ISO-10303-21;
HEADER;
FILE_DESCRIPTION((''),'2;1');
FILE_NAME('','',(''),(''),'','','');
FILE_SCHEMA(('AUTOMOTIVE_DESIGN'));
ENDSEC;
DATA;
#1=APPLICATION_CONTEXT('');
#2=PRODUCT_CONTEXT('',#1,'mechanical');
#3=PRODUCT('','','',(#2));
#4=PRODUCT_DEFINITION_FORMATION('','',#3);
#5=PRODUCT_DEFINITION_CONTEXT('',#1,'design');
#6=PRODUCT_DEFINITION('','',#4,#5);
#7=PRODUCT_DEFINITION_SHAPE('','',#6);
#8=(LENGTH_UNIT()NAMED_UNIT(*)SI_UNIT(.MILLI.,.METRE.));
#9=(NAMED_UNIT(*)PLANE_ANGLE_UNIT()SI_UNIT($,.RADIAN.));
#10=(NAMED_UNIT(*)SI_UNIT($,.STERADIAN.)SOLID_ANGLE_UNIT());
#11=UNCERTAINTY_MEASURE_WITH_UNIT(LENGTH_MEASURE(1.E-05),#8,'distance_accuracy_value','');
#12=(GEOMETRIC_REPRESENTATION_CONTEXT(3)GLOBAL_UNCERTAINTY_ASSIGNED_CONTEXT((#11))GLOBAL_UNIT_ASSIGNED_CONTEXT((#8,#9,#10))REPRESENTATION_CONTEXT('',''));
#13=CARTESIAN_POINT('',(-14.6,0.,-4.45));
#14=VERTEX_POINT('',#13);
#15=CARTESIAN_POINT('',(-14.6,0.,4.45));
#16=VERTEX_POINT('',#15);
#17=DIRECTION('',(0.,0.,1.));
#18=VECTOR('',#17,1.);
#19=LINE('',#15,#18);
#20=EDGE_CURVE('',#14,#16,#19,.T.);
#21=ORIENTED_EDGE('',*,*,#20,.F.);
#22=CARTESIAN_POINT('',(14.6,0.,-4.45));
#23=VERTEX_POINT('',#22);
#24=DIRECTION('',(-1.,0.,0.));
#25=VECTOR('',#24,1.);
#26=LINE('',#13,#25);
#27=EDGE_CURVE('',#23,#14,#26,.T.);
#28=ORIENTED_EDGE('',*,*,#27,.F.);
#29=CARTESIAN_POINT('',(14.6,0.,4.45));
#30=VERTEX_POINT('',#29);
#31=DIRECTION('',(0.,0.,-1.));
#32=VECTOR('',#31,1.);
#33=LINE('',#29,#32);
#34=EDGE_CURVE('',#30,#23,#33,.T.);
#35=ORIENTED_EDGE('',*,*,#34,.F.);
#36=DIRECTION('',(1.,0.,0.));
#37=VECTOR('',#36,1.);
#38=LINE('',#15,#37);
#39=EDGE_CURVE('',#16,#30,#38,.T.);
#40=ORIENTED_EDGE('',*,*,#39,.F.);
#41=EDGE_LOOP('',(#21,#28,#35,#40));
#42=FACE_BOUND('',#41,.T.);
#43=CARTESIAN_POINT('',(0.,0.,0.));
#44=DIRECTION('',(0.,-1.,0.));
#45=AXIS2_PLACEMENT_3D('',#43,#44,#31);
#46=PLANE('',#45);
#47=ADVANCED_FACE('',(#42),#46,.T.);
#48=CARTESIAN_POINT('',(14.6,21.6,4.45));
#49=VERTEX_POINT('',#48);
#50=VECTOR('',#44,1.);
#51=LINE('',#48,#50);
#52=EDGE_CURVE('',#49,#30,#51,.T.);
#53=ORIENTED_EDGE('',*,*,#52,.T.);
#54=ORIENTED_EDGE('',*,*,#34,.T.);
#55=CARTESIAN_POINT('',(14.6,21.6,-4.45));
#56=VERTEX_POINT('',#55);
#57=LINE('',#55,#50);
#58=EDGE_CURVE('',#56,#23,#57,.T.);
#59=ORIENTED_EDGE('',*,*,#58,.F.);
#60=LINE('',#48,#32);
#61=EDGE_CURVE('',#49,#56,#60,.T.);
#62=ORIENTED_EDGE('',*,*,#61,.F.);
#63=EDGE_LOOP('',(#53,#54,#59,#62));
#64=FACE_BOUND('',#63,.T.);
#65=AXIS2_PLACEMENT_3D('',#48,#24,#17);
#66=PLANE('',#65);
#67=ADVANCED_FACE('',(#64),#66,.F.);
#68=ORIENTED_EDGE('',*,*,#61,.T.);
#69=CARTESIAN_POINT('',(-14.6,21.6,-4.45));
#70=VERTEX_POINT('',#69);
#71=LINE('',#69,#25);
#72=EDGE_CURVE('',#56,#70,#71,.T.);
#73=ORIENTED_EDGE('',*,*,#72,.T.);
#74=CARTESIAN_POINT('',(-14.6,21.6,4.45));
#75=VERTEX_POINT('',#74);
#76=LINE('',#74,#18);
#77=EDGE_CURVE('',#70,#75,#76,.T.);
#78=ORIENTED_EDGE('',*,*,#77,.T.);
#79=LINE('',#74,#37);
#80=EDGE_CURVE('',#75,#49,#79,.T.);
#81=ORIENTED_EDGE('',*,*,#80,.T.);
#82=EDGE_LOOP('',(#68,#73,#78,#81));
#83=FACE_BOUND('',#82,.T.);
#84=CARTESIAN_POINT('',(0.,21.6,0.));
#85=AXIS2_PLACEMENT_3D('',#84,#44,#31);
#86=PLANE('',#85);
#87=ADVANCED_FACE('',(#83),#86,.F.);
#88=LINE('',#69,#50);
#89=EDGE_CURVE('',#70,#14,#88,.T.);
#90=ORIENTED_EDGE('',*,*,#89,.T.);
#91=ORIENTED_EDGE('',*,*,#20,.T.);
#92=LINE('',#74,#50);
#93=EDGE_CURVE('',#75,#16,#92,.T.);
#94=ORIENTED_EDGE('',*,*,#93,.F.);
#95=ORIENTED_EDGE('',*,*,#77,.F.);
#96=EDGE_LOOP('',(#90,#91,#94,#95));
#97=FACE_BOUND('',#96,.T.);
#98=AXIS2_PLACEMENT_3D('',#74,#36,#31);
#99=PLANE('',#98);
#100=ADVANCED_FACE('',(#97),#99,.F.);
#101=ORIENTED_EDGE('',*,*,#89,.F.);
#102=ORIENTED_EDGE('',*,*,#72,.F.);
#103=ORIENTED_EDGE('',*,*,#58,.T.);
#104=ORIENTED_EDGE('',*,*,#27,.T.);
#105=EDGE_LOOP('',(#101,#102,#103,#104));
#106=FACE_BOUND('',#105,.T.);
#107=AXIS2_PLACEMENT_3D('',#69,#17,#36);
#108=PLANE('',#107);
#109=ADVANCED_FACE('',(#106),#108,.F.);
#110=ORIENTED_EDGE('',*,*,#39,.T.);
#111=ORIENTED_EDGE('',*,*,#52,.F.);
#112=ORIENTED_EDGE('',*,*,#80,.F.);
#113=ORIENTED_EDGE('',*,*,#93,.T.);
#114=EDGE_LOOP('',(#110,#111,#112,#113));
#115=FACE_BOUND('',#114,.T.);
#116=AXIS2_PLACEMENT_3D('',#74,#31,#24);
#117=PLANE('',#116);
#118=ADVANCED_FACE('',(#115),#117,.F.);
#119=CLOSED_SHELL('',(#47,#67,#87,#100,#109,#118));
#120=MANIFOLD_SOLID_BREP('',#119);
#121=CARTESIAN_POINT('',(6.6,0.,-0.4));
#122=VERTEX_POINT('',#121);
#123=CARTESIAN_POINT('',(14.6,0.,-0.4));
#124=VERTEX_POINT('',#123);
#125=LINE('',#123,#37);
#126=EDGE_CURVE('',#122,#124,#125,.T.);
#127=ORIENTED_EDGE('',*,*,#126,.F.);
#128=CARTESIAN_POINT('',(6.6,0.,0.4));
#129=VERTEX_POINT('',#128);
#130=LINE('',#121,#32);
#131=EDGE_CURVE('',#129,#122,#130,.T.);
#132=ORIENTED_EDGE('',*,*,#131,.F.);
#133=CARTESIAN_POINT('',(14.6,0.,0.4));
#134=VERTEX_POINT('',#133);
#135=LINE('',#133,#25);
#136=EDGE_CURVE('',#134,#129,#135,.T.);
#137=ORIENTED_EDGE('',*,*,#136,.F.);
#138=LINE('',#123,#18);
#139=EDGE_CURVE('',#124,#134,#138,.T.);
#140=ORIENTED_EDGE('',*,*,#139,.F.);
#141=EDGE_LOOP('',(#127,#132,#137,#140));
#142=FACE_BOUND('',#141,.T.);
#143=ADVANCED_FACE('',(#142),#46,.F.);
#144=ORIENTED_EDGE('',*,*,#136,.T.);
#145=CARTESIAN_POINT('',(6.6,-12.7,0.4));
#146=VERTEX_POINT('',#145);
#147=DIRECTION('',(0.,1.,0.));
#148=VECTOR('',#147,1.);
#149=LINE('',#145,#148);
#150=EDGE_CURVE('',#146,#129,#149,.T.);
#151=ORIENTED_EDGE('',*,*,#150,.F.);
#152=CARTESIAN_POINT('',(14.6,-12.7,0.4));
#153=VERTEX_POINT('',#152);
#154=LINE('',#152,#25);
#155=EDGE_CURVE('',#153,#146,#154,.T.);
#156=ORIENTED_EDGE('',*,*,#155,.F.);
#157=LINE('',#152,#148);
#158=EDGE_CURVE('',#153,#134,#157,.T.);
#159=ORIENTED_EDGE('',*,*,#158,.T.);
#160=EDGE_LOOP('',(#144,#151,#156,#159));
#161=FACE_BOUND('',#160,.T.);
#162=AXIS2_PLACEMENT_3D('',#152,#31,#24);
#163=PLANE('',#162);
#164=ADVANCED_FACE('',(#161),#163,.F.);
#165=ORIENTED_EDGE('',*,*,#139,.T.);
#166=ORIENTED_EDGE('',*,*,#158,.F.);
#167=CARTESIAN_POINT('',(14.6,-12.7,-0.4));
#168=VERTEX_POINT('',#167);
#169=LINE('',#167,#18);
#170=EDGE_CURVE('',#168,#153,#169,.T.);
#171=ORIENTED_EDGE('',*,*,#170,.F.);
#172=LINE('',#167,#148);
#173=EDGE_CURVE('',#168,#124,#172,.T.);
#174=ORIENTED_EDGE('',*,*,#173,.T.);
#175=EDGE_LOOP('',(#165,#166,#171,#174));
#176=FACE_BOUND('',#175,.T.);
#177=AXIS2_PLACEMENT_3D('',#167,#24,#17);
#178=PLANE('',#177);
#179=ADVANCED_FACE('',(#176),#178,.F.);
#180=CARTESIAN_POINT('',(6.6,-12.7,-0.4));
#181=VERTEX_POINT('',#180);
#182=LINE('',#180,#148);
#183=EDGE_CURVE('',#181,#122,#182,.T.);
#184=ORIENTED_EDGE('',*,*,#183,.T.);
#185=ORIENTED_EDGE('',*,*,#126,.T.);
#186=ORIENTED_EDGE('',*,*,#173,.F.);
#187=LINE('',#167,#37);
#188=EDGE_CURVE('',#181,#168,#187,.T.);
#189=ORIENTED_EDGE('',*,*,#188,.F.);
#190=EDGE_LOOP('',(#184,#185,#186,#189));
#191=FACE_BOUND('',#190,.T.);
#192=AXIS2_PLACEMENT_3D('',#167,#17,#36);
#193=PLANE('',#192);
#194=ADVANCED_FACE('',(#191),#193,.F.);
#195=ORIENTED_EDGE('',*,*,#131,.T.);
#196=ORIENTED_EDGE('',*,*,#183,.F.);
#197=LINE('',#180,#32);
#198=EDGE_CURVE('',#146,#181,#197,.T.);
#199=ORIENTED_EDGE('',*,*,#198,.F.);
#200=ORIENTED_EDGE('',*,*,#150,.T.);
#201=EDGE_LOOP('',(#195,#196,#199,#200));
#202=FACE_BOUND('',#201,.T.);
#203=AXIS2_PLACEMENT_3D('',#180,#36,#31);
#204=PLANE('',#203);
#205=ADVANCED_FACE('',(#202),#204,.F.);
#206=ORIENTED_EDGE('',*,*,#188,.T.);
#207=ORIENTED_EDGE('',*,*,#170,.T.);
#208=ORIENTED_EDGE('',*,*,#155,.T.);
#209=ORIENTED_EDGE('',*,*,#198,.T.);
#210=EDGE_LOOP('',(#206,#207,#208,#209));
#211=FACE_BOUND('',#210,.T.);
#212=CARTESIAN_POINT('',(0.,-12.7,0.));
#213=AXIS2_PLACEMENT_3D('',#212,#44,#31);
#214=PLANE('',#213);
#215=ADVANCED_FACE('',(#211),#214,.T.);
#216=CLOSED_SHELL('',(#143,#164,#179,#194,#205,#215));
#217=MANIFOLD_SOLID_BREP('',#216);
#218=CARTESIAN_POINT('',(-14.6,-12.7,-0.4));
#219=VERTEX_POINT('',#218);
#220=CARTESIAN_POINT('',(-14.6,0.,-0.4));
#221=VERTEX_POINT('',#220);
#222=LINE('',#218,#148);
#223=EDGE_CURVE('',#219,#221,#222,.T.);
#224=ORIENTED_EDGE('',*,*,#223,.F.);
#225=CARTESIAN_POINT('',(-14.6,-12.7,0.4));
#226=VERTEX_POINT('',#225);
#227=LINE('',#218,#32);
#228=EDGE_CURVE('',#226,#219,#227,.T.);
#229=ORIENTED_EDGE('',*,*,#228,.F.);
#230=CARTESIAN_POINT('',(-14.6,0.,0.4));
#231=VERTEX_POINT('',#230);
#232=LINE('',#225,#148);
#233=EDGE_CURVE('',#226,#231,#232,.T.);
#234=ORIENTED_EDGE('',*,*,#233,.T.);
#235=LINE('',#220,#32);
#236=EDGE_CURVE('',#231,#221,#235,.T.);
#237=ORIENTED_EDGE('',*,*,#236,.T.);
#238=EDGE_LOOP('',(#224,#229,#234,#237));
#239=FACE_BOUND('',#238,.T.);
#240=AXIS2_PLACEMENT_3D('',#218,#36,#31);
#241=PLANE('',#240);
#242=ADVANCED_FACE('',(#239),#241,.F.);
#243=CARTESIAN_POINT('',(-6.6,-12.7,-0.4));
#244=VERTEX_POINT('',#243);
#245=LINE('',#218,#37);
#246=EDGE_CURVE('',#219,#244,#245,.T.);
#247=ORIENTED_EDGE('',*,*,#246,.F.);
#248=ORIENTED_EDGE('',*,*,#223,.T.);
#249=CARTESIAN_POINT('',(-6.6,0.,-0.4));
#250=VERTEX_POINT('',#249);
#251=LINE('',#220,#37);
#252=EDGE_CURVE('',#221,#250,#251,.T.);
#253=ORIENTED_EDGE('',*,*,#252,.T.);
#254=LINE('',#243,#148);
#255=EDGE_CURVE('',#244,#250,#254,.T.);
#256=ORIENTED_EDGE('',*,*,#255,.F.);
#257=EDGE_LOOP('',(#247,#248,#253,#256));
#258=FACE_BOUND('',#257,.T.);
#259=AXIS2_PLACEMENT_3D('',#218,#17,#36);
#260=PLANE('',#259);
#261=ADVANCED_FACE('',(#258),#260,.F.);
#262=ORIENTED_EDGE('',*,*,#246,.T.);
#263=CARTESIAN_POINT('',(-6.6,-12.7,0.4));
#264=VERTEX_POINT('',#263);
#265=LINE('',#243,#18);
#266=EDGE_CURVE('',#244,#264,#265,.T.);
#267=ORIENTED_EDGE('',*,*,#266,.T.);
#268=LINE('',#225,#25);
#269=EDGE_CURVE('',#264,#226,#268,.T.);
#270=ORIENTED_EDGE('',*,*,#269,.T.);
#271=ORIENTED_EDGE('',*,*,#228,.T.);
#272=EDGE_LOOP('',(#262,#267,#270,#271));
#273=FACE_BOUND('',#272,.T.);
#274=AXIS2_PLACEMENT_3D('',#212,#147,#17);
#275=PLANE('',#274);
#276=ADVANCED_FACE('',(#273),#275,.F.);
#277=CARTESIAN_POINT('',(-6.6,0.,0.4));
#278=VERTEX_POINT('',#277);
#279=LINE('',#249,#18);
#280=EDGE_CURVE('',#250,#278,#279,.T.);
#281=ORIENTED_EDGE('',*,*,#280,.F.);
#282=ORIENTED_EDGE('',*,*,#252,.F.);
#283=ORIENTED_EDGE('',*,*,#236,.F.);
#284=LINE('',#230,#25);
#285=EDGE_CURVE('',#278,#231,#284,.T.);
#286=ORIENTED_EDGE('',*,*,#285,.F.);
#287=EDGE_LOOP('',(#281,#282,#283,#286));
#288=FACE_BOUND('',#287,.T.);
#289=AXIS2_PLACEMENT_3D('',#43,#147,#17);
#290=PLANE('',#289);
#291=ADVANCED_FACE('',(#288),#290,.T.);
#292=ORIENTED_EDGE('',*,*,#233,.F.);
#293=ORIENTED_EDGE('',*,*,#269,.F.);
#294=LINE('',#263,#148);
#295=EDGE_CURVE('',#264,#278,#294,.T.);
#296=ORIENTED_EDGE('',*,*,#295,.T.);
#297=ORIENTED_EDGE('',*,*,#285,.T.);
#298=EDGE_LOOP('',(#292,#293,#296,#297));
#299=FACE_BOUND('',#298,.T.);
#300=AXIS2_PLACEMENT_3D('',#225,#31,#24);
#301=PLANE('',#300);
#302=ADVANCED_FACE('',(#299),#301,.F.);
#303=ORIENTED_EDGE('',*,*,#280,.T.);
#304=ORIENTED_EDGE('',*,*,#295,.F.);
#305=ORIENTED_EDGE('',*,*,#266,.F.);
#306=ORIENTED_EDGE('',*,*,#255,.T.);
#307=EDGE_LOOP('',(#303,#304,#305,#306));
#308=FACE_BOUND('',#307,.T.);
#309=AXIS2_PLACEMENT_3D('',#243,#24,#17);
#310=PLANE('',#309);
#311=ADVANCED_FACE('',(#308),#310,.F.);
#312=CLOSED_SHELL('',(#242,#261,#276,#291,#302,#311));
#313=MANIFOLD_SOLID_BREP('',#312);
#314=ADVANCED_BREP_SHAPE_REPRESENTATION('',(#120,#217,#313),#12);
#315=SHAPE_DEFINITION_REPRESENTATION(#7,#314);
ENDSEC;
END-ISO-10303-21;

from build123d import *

# Parameters (mm, degrees)
SKETCH1_W             = 29.2
SKETCH1_H             = 8.9
BOSS_EXTRUDE1_DEPTH   = 21.6
SKETCH2_W             = 8
SKETCH2_H             = 0.8
BOSS_EXTRUDE2_DEPTH   = 12.7
BOSS_EXTRUDE2_2_DEPTH = 12.7


with BuildPart() as part:
    # Sketch1 → Boss-Extrude1 (new body)
    with BuildSketch(Plane(origin=(0, 0, 0), x_dir=(1, 0, 0), z_dir=(0, 1, 0))):
        Rectangle(SKETCH1_W, SKETCH1_H)
    extrude(amount=BOSS_EXTRUDE1_DEPTH)


with BuildPart() as body_2:
    # Sketch2 → Boss-Extrude2 (new body)
    with BuildSketch(Plane.XZ):
        with Locations((-10.6, 0)):
            Rectangle(SKETCH2_W, SKETCH2_H)
    extrude(amount=BOSS_EXTRUDE2_DEPTH)


with BuildPart() as body_3:
    # Sketch2 → Boss-Extrude2 2 (new body)
    with BuildSketch(Plane.XZ):
        with Locations((10.6, 0)):
            Rectangle(SKETCH2_W, SKETCH2_H)
    extrude(amount=BOSS_EXTRUDE2_2_DEPTH)


solid = Compound([part.part, body_2.part, body_3.part])
